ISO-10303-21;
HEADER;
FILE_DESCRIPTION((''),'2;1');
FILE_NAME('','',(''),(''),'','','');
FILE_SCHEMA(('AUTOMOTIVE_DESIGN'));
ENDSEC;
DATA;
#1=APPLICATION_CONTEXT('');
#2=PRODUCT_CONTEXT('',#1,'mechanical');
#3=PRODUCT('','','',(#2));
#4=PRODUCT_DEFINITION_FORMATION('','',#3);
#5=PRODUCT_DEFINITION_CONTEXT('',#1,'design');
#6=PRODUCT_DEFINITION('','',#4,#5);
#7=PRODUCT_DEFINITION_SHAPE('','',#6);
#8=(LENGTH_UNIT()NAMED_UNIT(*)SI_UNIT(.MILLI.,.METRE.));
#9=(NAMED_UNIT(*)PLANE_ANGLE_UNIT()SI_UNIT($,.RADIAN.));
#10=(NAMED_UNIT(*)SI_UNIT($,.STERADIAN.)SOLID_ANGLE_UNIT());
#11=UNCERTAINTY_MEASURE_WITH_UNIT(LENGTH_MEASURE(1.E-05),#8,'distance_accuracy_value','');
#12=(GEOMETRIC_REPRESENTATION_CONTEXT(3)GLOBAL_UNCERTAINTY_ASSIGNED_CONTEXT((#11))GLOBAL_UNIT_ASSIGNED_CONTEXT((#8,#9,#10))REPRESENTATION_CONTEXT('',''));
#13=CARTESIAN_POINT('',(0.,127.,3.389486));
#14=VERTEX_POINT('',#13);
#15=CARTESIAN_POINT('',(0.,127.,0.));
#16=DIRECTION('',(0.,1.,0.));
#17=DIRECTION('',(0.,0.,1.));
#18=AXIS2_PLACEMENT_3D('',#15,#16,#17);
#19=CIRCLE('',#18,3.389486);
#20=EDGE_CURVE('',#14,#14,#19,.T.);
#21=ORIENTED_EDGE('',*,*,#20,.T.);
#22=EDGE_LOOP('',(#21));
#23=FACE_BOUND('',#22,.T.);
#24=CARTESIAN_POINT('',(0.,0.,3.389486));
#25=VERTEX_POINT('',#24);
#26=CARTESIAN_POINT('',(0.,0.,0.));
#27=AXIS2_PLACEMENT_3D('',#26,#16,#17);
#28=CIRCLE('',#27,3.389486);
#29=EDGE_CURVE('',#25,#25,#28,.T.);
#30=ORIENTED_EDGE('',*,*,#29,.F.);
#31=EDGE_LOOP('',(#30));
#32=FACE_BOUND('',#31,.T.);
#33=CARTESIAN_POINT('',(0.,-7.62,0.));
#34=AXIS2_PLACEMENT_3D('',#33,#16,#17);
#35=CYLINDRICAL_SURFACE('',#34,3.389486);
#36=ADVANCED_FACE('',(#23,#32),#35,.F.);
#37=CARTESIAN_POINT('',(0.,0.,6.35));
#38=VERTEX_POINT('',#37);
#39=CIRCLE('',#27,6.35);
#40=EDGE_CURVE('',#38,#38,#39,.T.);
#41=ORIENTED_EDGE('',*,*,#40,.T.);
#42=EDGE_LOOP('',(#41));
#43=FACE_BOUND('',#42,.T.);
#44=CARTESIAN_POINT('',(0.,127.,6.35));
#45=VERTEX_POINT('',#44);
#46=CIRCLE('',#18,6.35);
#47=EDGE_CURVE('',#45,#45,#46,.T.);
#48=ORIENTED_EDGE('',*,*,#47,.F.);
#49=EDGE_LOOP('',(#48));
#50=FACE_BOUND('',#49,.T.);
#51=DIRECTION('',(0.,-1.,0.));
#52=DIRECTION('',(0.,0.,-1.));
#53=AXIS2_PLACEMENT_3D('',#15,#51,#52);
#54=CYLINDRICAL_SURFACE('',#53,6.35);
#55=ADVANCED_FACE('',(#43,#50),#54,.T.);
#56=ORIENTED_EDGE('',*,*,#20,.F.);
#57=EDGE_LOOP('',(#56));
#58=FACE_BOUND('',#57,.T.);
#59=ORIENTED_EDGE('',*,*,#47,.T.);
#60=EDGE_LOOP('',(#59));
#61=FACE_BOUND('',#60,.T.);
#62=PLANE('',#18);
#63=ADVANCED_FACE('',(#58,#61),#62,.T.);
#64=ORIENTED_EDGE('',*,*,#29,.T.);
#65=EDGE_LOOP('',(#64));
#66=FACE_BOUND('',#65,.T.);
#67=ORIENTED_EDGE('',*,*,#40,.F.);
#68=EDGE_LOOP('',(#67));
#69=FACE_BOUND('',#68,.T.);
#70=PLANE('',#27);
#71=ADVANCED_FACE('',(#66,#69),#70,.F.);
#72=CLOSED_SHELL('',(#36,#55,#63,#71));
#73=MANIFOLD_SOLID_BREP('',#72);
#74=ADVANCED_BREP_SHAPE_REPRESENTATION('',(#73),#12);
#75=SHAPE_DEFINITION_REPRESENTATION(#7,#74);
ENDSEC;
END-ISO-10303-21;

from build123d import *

# Parameters (mm, degrees)
SKETCH1_R           = 6.35
BOSS_EXTRUDE2_DEPTH = 127
SKETCH2_R           = 3.38948585
CUT_EXTRUDE1_DEPTH  = 134.62


with BuildPart() as part:
    # Sketch1 → Boss-Extrude2 (new body)
    with BuildSketch(Plane(origin=(0, 0, 0), x_dir=(1, 0, 0), z_dir=(0, 1, 0))):
        with Locations(Location((0, 0, 0), (0, 0, 270))):
            Circle(SKETCH1_R)
    extrude(amount=BOSS_EXTRUDE2_DEPTH)

    # Sketch2 → Cut-Extrude1 (cut)
    with BuildSketch(Plane(origin=(0, 127, 0), x_dir=(1, 0, 0), z_dir=(0, 1, 0))):
        with Locations(Location((0, 0, 0), (0, 0, 270))):
            Circle(SKETCH2_R)
    extrude(amount=-CUT_EXTRUDE1_DEPTH, mode=Mode.SUBTRACT)


solid = part.part
